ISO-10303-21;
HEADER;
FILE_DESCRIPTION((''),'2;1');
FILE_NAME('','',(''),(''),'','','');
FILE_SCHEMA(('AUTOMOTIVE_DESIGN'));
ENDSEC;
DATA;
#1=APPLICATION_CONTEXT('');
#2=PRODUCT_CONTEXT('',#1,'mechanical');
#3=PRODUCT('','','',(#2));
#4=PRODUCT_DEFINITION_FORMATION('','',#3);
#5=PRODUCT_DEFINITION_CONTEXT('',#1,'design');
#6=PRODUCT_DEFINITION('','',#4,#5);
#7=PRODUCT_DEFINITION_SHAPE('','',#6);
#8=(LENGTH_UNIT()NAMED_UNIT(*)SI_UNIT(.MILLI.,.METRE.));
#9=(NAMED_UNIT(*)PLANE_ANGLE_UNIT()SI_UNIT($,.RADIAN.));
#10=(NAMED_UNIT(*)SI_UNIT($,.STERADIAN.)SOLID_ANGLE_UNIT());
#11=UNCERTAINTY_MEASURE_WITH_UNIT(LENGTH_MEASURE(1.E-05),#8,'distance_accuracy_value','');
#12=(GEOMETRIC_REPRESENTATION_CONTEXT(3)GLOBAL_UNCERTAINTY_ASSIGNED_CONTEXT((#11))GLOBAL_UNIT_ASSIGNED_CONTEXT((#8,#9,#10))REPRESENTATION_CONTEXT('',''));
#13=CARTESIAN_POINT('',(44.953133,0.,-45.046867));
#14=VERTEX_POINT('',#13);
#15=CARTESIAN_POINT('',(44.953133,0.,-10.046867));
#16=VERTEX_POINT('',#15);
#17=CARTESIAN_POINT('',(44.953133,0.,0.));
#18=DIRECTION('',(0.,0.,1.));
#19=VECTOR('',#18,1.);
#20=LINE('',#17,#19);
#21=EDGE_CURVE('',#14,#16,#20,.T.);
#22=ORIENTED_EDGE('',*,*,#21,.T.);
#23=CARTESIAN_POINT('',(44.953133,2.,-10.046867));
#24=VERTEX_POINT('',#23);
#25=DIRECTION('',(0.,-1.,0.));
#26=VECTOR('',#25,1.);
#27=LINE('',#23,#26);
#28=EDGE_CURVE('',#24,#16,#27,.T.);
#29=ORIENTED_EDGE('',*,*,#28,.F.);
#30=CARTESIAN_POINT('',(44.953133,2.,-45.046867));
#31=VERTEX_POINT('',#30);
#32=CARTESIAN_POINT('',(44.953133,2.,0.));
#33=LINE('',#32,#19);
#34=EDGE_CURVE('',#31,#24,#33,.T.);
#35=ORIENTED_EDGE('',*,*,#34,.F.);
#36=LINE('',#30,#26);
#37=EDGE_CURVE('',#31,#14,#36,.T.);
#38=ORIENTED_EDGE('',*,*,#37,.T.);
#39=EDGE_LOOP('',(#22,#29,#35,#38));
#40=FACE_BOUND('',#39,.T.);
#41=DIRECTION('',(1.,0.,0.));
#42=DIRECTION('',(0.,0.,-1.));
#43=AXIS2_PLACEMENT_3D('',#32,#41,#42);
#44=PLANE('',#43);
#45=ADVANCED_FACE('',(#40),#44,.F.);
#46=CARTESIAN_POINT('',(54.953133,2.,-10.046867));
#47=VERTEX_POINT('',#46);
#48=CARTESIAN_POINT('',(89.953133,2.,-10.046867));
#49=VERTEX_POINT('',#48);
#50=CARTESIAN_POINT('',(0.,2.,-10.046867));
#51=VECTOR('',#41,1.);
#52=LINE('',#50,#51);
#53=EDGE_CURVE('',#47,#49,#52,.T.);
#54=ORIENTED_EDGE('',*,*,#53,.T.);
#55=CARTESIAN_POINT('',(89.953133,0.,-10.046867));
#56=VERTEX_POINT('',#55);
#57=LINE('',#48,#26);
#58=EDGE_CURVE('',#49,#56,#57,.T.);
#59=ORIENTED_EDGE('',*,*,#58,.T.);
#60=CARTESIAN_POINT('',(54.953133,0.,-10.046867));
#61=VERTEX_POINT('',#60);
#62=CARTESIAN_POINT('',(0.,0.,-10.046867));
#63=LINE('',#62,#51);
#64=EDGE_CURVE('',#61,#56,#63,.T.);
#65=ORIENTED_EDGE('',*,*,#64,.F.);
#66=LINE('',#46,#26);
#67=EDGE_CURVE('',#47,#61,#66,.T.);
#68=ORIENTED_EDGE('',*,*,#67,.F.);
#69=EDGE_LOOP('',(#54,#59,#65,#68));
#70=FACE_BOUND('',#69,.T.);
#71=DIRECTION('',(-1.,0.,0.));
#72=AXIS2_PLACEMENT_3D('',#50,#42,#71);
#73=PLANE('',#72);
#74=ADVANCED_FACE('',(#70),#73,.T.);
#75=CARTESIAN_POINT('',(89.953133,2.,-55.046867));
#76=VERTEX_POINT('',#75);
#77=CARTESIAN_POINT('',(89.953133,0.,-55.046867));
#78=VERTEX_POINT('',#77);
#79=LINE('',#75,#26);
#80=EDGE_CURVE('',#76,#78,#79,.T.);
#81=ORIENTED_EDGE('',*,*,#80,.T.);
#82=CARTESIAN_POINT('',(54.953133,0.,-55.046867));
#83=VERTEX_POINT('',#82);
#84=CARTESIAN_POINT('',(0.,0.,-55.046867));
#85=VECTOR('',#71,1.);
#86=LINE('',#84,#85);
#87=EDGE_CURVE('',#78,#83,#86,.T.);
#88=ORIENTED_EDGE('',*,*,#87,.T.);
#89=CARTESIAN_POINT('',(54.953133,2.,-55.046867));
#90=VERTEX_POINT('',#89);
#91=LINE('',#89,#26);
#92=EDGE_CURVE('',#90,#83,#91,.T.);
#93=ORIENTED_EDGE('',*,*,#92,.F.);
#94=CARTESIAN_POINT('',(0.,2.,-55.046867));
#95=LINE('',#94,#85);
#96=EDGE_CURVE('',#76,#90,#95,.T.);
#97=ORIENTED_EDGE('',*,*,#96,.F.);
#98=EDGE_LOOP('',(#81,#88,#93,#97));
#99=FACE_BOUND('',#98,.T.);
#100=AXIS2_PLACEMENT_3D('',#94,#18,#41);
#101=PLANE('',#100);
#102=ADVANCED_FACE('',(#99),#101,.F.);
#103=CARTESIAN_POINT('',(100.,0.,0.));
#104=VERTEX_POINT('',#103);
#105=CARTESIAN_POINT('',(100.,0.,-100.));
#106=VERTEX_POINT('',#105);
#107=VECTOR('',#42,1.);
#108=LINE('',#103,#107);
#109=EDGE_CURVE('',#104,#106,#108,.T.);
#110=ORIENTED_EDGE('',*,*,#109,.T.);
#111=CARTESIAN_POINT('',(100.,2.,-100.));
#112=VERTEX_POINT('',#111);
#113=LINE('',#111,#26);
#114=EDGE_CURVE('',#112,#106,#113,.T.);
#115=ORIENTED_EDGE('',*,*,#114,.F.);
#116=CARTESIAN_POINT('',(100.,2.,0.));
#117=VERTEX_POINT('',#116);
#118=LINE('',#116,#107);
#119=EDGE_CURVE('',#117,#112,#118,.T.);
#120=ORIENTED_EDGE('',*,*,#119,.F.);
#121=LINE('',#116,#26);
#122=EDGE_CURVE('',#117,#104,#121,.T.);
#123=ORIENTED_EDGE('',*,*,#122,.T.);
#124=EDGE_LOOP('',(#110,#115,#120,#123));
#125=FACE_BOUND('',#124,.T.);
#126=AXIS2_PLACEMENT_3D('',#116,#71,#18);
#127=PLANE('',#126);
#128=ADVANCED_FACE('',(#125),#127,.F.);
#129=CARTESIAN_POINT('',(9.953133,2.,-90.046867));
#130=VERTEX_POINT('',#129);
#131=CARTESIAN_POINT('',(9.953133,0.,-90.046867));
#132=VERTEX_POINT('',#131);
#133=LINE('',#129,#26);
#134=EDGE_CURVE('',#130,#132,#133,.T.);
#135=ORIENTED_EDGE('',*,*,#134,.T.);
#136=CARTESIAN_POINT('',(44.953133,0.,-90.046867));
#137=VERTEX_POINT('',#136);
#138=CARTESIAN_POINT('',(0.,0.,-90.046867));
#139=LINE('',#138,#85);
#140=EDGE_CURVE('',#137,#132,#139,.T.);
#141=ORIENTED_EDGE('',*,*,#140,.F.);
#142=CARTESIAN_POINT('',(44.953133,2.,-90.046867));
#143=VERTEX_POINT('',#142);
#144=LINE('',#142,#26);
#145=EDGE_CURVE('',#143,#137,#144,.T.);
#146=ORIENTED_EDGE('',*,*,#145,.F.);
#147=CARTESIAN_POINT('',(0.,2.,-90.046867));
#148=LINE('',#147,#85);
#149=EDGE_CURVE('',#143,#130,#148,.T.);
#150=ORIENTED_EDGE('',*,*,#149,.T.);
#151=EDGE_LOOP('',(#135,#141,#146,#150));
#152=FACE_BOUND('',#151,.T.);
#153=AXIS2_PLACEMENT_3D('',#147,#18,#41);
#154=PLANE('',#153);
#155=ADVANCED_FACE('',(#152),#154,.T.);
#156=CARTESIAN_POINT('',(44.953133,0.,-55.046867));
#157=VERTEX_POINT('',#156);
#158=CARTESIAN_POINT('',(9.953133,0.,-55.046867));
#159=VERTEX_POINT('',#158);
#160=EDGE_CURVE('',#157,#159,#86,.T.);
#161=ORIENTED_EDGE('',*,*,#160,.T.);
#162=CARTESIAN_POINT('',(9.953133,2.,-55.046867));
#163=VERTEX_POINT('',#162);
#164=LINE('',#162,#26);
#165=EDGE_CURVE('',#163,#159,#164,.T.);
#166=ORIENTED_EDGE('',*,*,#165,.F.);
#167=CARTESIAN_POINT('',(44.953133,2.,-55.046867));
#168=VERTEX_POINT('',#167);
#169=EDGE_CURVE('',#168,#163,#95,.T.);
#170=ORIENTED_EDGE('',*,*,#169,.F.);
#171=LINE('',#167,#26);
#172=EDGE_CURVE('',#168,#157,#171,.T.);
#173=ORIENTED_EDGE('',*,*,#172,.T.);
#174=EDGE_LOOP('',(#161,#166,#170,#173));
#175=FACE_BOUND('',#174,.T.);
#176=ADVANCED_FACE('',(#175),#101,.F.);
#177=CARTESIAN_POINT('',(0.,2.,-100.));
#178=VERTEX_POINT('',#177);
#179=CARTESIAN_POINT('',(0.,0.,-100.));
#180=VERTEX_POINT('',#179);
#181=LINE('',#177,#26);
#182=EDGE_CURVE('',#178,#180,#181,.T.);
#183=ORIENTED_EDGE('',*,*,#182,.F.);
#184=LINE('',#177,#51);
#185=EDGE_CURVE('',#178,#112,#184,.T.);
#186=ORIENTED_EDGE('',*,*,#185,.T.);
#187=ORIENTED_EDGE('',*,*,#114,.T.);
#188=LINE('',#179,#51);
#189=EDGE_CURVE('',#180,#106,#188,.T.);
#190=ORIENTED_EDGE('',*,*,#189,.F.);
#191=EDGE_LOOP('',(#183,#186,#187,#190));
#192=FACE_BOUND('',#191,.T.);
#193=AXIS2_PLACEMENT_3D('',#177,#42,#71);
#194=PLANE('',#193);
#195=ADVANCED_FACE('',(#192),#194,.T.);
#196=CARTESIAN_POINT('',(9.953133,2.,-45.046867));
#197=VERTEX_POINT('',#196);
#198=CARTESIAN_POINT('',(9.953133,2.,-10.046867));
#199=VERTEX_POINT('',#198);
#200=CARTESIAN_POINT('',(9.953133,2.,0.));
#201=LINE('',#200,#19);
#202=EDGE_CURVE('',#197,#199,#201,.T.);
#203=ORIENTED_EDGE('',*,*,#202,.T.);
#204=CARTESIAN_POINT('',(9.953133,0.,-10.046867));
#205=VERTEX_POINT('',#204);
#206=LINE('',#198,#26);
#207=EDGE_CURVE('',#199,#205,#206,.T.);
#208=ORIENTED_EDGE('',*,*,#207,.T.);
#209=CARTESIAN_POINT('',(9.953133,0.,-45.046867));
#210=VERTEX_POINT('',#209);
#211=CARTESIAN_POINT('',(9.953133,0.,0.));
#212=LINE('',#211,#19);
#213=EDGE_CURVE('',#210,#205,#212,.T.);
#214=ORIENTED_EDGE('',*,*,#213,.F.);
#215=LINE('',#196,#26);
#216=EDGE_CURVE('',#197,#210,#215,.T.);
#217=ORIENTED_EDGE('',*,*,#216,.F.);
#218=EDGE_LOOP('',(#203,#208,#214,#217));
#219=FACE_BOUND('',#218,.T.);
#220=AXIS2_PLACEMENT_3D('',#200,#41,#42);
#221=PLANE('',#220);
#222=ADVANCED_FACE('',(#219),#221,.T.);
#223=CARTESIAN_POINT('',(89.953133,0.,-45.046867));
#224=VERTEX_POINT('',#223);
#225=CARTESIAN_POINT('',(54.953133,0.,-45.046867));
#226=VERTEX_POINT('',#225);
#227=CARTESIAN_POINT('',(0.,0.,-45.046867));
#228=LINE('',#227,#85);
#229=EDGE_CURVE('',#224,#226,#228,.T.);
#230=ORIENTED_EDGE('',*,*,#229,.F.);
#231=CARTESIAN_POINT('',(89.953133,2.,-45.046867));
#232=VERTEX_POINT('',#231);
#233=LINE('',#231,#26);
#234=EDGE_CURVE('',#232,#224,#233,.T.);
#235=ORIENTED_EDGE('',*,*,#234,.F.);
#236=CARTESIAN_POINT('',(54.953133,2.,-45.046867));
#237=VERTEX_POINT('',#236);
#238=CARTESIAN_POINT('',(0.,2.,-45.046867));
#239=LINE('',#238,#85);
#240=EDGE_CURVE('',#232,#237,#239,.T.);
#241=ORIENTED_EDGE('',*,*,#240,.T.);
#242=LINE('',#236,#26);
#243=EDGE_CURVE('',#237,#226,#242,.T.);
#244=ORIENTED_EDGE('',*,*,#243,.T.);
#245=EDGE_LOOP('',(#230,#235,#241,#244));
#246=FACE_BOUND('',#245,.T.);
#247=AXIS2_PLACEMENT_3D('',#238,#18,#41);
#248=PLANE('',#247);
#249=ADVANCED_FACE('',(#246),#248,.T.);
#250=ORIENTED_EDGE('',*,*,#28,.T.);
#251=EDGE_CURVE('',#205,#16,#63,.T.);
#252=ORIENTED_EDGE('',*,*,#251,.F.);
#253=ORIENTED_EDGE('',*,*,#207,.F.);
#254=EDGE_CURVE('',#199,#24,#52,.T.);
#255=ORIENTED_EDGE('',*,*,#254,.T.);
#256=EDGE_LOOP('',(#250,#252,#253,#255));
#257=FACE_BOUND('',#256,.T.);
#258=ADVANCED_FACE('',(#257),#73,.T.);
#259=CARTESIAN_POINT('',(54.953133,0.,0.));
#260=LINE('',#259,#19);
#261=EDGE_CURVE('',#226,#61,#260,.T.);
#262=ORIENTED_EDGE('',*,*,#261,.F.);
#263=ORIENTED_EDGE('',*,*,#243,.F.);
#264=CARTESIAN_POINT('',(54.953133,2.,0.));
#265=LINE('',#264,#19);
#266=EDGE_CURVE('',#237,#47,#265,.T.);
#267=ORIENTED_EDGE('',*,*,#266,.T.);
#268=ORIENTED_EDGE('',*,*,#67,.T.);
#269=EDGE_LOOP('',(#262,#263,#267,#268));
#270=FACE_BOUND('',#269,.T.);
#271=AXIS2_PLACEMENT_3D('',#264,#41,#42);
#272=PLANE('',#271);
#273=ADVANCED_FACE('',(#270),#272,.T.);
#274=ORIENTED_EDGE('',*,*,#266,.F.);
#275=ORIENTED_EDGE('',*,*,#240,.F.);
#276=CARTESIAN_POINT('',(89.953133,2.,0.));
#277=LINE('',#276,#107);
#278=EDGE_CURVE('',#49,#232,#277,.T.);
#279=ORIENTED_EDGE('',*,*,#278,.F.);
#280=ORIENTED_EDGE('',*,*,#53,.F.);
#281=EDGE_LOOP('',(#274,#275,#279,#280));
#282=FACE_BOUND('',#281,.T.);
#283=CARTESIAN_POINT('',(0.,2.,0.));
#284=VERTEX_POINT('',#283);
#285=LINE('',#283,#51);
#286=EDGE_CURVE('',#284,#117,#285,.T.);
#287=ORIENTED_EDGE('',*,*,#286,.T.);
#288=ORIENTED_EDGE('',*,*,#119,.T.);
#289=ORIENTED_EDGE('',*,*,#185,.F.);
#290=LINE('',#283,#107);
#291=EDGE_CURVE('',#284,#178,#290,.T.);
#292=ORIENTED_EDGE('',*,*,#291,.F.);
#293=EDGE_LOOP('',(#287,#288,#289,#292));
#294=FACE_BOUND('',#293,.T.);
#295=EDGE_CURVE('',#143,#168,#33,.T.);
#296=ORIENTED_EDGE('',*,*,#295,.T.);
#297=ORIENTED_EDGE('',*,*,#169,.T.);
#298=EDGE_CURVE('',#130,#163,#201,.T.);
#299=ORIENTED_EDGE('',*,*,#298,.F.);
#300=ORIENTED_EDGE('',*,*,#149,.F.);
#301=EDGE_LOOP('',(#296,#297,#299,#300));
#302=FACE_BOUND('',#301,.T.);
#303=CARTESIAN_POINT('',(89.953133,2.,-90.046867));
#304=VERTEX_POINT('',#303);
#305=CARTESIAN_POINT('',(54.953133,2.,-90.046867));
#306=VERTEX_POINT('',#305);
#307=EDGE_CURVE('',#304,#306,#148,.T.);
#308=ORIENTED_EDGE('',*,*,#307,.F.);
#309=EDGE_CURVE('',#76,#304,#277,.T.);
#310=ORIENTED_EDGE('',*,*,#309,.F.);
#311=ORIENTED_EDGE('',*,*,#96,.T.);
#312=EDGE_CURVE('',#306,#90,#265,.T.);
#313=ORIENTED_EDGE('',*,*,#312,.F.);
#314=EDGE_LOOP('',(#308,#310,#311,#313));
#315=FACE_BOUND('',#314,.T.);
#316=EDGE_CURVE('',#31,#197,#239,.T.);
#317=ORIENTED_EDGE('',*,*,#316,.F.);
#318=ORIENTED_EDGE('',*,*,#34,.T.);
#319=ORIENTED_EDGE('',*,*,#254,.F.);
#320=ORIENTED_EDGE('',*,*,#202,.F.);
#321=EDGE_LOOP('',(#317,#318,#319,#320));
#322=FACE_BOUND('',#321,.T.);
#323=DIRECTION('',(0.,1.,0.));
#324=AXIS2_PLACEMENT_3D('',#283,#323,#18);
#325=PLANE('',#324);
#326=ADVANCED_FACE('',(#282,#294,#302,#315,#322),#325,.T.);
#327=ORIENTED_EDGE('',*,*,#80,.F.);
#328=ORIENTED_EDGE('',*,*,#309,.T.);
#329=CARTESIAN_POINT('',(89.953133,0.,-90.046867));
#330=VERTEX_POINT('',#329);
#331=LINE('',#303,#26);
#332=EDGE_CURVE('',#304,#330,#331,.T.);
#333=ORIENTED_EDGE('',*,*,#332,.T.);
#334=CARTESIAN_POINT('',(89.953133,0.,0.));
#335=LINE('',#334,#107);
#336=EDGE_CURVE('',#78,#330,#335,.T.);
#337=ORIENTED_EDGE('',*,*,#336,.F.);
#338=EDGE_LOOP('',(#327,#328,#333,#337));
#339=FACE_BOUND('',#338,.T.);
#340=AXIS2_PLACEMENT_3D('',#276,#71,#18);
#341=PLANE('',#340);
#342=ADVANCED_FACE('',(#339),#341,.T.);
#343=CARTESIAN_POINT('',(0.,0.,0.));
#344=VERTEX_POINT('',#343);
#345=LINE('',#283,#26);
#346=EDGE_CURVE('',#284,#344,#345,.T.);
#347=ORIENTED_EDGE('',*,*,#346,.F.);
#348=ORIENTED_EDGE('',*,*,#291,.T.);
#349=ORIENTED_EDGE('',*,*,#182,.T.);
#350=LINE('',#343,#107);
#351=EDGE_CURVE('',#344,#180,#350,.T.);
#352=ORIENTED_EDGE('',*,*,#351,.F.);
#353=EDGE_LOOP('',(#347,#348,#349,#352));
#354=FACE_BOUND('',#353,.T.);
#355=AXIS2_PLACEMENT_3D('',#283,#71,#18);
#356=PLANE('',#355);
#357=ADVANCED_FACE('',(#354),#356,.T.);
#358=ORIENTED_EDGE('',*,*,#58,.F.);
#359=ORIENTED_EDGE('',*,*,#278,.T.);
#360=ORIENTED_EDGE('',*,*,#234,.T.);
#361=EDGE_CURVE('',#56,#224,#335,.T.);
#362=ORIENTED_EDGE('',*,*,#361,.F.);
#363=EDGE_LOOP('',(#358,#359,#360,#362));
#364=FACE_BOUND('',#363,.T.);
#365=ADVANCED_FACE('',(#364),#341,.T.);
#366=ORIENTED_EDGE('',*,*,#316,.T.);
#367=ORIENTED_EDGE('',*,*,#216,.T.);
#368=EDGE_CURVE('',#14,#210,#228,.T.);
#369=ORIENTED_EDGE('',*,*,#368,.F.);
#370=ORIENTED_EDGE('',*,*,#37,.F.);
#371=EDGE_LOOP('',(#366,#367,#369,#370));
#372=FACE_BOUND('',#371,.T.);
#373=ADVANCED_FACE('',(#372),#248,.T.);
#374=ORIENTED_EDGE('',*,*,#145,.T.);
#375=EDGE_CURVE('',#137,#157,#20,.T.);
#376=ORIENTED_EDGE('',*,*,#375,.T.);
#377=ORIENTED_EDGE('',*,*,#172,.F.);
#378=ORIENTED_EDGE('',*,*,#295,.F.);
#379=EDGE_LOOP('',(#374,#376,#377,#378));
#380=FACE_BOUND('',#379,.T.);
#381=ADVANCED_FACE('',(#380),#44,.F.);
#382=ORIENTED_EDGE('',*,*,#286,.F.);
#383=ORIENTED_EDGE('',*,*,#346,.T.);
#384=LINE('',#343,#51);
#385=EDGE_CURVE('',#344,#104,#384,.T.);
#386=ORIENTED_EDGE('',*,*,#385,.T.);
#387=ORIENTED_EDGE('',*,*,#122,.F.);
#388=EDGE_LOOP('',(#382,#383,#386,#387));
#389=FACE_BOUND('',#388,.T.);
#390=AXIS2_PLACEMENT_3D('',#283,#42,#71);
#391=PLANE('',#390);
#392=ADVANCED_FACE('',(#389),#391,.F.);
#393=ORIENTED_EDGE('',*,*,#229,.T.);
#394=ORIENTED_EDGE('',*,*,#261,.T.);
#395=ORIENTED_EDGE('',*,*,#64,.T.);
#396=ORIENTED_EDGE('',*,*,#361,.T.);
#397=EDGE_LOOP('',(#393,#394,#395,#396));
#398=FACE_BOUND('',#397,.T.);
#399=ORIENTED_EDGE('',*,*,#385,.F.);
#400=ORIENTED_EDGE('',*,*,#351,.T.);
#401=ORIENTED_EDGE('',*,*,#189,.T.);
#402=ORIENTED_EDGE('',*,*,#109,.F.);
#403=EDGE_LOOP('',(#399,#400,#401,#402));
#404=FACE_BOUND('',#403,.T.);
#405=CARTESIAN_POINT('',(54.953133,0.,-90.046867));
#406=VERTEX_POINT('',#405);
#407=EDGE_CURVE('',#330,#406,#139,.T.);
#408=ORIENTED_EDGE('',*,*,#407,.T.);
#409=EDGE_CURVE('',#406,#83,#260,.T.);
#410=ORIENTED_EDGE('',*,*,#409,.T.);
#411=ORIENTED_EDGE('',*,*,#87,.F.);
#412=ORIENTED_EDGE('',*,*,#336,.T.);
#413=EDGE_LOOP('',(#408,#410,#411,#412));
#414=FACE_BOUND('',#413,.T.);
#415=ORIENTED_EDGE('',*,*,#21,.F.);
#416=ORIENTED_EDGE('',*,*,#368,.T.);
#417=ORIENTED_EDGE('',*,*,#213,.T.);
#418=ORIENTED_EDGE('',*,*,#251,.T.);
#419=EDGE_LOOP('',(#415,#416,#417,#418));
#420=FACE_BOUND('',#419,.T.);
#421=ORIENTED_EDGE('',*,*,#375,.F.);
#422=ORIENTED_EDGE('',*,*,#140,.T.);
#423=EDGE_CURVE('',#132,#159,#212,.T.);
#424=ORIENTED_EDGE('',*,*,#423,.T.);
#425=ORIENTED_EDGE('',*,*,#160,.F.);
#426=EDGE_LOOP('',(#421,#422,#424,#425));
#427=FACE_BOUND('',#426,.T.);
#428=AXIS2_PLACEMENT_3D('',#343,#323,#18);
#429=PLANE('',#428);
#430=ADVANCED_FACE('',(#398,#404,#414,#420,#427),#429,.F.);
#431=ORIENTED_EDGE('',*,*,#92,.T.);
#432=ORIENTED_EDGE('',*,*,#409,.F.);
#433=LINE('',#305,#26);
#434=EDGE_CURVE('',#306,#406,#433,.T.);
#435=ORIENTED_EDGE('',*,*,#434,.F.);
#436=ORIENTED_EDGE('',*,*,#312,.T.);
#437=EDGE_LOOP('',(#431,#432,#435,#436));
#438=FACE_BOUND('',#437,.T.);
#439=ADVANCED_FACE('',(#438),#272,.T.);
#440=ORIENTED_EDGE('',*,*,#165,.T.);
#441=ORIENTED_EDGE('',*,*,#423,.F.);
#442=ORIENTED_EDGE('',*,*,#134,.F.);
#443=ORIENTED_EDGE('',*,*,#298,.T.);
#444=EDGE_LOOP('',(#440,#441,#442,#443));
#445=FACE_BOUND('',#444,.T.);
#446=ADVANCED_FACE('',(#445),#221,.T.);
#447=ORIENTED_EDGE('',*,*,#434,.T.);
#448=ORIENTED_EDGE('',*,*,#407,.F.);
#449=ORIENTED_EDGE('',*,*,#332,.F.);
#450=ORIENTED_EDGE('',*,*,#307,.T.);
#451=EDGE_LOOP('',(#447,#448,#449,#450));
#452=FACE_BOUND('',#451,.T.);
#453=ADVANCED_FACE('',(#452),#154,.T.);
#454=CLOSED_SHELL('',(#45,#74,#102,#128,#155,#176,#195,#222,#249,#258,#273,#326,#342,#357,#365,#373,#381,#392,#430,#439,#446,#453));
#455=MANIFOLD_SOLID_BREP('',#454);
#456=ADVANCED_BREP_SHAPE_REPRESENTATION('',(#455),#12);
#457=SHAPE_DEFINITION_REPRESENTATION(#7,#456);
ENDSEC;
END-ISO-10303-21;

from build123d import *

# Parameters (mm, degrees)
SKETCH1_W           = 100
SKETCH1_H           = 100
SKETCH1_W_2         = 35
SKETCH1_H_2         = 35
BOSS_EXTRUDE1_DEPTH = 2


with BuildPart() as part:
    # Sketch1 → Boss-Extrude1 (new body)
    with BuildSketch(Plane(origin=(0, 0, 0), x_dir=(1, 0, 0), z_dir=(0, 1, 0))):
        with Locations((50, 50)):
            Rectangle(SKETCH1_W, SKETCH1_H)
        with Locations((72.453133131, 27.546866869)):
            Rectangle(SKETCH1_W_2, SKETCH1_H_2, mode=Mode.SUBTRACT)
        with Locations((27.453133131, 27.546866869)):
            Rectangle(SKETCH1_W_2, SKETCH1_H_2, mode=Mode.SUBTRACT)
        with Locations((72.453133131, 72.546866869)):
            Rectangle(SKETCH1_W_2, SKETCH1_H_2, mode=Mode.SUBTRACT)
        with Locations((27.453133131, 72.546866869)):
            Rectangle(SKETCH1_W_2, SKETCH1_H_2, mode=Mode.SUBTRACT)
    extrude(amount=BOSS_EXTRUDE1_DEPTH)


solid = part.part
